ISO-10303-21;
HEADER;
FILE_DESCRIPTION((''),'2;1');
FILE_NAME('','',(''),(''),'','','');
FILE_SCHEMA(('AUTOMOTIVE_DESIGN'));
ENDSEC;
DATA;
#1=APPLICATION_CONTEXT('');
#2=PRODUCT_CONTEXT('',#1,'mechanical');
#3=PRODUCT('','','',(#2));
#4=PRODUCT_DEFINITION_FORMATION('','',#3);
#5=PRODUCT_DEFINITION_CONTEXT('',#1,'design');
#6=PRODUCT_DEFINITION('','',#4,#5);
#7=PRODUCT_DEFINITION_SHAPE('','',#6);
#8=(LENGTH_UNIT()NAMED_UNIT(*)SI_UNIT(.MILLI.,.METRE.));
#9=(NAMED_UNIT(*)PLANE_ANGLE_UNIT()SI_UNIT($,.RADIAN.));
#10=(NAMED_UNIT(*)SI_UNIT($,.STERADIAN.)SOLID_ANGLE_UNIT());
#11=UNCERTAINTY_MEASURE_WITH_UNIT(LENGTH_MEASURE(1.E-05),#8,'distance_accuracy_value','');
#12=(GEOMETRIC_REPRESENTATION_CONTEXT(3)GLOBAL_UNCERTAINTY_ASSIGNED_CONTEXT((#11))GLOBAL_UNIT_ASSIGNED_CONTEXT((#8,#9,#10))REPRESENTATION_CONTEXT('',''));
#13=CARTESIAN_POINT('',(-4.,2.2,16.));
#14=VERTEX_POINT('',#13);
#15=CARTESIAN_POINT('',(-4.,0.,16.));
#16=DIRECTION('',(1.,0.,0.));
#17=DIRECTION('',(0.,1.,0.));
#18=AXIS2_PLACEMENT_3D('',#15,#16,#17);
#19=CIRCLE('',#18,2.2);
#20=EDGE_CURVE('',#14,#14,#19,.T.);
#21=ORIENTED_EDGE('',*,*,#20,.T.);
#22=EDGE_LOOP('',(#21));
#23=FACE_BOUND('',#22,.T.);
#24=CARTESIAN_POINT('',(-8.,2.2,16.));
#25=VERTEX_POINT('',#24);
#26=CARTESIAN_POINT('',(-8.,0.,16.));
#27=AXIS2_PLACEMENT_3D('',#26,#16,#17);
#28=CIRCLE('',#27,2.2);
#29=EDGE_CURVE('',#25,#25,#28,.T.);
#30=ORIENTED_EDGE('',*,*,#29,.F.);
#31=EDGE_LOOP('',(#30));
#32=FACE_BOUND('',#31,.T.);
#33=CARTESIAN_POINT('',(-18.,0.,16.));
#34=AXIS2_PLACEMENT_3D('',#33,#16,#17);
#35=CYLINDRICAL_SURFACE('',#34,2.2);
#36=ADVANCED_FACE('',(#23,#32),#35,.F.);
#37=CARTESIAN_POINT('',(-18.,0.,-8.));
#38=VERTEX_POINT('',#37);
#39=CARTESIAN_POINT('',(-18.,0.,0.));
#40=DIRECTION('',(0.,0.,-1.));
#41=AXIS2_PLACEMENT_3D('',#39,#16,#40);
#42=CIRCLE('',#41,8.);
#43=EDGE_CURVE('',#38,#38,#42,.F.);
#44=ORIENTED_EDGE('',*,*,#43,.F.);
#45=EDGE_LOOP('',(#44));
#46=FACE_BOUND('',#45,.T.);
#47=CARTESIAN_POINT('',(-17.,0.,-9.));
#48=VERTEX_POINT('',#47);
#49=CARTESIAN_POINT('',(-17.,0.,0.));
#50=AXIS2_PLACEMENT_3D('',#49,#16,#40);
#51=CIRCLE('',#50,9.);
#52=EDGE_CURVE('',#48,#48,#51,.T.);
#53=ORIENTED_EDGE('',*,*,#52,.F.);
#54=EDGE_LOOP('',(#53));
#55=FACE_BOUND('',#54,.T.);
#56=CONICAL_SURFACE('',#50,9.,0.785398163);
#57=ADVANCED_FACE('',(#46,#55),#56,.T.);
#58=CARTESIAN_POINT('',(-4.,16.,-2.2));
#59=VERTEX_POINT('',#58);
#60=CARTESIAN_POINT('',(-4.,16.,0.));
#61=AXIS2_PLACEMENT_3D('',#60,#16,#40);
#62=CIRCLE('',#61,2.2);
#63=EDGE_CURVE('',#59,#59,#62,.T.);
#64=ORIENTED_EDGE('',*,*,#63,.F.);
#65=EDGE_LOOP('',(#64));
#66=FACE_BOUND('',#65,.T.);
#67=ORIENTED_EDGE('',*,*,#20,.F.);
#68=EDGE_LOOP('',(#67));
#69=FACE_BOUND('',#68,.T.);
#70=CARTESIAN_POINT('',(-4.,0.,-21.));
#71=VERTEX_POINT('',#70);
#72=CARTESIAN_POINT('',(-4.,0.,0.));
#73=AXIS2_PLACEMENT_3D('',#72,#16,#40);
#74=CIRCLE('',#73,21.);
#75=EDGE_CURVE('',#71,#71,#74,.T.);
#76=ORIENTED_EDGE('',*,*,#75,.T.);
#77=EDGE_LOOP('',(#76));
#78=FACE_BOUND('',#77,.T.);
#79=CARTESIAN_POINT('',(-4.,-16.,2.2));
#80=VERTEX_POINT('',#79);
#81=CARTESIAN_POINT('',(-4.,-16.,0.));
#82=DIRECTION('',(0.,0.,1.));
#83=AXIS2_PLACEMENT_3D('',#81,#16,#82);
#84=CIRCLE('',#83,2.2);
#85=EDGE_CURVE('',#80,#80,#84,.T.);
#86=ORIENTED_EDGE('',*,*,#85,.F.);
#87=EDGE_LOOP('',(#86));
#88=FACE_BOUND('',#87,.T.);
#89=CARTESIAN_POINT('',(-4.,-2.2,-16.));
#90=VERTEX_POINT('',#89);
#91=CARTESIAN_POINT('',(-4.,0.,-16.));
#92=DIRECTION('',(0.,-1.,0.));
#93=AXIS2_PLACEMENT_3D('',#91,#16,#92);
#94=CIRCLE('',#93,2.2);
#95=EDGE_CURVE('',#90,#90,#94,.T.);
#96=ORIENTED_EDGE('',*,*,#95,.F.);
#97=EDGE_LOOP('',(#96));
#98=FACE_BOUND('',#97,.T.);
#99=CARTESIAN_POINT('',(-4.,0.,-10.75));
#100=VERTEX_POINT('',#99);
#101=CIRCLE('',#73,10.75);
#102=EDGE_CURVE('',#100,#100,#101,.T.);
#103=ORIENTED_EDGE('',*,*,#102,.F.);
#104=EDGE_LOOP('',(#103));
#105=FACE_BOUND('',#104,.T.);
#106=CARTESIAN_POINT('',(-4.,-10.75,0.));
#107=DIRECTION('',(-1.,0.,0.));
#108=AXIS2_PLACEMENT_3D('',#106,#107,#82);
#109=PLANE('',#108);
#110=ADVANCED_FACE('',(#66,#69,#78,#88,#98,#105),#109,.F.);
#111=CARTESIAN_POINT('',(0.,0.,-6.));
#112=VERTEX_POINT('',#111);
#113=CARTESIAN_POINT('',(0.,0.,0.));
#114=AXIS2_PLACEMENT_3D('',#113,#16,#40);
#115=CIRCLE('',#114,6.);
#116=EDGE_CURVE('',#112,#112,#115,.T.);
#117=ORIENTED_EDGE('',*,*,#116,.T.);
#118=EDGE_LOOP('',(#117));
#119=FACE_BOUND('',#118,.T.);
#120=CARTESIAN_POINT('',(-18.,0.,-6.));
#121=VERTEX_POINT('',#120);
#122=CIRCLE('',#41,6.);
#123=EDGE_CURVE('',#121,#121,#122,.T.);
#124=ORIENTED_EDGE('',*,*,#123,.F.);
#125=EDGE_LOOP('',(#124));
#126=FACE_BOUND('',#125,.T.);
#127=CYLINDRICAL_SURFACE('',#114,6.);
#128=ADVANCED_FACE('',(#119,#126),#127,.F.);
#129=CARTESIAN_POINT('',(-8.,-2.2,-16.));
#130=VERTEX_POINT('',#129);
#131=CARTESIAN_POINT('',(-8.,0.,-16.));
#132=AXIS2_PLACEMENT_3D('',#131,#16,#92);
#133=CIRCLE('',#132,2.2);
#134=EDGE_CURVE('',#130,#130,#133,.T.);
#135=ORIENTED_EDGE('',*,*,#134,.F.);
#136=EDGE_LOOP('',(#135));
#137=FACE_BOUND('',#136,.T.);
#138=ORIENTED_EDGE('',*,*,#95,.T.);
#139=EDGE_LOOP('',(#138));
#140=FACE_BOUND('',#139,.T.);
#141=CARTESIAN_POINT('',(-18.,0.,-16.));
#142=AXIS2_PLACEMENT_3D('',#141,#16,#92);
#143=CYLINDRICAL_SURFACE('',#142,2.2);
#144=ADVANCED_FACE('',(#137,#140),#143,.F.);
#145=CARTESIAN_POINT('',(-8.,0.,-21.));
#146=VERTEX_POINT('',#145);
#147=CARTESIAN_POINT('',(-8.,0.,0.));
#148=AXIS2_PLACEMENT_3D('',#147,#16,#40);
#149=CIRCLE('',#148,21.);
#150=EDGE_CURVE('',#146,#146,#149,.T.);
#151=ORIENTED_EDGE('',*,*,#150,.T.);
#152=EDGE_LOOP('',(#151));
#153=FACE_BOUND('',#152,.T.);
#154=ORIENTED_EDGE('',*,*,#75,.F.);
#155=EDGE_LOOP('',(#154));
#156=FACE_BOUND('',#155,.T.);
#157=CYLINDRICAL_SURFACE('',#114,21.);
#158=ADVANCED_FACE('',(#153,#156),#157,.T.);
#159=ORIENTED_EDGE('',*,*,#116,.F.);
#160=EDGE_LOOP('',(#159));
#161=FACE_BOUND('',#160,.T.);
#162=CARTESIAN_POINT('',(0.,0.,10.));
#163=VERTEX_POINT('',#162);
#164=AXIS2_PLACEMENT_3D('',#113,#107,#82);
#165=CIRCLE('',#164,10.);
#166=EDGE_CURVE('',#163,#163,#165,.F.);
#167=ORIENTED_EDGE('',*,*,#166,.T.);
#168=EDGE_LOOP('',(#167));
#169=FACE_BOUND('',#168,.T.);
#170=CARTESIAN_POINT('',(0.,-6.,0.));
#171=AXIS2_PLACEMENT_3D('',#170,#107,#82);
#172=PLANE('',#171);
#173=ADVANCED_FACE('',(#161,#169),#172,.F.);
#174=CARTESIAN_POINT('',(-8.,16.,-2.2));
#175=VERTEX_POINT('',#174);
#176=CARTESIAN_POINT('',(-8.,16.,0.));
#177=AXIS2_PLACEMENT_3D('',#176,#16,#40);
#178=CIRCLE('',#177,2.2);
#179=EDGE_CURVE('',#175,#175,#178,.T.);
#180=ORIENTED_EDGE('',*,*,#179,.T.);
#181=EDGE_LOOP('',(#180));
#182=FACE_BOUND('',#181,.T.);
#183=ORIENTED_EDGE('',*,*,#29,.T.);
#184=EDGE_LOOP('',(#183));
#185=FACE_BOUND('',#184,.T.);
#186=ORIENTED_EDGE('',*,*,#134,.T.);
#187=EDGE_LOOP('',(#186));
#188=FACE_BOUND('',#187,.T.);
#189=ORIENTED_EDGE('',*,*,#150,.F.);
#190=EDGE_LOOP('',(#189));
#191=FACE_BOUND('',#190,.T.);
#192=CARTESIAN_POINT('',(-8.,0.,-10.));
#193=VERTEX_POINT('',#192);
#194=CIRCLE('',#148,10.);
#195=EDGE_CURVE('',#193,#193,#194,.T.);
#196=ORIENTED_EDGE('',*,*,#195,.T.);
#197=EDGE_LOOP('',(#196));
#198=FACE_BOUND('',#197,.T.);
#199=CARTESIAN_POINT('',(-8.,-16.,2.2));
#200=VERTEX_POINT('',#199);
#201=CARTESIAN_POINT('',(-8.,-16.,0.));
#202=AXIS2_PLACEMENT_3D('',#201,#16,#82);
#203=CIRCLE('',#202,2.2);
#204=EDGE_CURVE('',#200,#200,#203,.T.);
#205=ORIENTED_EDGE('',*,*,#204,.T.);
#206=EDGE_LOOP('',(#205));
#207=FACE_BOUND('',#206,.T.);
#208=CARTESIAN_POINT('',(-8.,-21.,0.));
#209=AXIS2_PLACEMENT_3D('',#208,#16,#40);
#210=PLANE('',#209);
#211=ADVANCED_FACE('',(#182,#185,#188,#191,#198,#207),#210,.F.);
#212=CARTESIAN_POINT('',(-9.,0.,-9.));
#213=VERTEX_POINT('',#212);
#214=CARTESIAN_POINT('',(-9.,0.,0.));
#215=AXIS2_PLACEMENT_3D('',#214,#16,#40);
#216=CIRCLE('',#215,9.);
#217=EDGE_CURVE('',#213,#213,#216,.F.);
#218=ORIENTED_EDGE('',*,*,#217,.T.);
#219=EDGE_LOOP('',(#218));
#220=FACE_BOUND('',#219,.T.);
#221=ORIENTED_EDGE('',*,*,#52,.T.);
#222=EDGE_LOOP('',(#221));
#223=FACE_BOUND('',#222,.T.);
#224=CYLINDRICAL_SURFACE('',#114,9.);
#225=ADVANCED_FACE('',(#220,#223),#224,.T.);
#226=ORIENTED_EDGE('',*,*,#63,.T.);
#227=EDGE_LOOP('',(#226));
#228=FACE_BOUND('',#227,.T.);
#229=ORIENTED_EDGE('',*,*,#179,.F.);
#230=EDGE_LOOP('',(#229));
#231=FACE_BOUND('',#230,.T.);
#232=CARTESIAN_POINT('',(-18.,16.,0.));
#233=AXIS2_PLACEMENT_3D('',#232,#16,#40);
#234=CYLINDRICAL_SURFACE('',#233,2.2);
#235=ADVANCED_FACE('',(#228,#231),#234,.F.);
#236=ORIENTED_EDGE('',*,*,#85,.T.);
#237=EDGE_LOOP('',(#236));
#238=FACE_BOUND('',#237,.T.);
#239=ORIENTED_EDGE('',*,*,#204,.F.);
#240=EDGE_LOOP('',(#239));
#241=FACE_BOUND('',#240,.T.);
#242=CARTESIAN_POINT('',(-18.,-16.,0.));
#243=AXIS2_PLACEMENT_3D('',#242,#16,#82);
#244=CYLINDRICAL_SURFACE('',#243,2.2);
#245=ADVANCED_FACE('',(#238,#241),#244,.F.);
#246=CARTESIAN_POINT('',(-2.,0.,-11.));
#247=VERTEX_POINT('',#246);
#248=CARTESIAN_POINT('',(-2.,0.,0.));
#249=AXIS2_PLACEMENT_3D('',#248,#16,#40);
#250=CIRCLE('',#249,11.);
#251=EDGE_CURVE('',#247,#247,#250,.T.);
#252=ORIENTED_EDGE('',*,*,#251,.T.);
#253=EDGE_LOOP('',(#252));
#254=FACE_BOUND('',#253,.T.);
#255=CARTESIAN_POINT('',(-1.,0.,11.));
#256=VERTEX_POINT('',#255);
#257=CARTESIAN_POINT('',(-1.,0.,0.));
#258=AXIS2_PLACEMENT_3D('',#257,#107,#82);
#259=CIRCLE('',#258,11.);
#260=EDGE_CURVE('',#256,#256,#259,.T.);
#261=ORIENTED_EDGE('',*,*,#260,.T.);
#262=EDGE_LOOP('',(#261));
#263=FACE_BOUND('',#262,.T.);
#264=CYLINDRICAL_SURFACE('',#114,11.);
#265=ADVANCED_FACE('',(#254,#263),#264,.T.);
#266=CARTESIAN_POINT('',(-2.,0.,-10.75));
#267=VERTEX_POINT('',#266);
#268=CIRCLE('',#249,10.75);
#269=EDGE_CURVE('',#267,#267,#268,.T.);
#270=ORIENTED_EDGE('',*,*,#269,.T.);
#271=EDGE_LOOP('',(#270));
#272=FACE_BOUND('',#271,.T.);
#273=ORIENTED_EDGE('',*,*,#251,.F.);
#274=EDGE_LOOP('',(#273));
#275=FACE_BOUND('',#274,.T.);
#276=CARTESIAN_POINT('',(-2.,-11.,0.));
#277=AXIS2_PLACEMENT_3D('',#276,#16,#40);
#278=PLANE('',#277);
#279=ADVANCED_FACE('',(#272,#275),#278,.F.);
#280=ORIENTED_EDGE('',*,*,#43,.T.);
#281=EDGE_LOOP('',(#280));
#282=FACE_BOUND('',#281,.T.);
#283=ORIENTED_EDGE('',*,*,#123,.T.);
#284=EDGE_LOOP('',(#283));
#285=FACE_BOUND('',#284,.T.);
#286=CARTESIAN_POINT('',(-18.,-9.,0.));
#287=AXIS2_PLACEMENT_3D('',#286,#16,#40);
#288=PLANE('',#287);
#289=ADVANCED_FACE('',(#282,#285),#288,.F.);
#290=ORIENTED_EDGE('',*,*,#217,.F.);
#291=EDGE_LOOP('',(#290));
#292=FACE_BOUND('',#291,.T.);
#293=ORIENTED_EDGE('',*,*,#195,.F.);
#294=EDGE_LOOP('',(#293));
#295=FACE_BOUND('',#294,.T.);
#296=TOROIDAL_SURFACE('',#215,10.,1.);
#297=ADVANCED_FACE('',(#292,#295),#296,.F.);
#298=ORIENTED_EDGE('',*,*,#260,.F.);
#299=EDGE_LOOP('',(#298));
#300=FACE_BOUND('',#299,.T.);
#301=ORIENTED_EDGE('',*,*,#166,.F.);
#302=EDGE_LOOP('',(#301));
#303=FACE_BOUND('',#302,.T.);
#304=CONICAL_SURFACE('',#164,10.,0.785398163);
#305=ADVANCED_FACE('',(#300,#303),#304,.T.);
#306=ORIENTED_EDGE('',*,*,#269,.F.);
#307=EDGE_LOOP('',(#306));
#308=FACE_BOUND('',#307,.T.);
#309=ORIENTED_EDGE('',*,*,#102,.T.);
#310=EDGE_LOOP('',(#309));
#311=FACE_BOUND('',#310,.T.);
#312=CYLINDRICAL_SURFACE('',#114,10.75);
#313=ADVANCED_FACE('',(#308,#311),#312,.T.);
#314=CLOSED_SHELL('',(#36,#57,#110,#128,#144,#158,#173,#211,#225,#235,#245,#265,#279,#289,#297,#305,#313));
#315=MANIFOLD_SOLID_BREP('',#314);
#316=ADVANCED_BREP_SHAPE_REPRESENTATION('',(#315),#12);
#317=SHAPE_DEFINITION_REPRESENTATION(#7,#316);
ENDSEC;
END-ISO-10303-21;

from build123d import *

# Parameters (mm, degrees)
SKETCH_2_R               = 2.2
CUT_EXTRUDE_1_DEPTH      = 33.832910319
PATTERN_CIRCULAR_1_COUNT = 4
FILLET_1_R               = 1
CHAMFER_1_SIZE           = 1


with BuildPart() as part:
    # Эскиз1 → Повернуть1 (revolve)
    with BuildSketch(Plane.XY, mode=Mode.PRIVATE) as revolve_1_sk:
        Polygon((0, -6), (0, -11), (-2, -11), (-2, -10.75), (-4, -10.75), (-4, -21), (-8, -21), (-8, -9), (-18, -9), (-18, -6), align=None)
    revolve(revolve_1_sk.sketch.rotate(Axis((0, 0, 0), (-1, 0, 0)), 270), axis=Axis((0, 0, 0), (-1, 0, 0)))

    # Эскиз2 → Вырез-Вытянуть1 (cut, through all)
    with BuildSketch(Plane(origin=(-4, 0, 0), x_dir=(0, 0, -1), z_dir=(1, 0, 0))):
        with Locations((0, 16)):
            Circle(SKETCH_2_R)
    cut_extrude_1 = extrude(amount=-CUT_EXTRUDE_1_DEPTH, mode=Mode.SUBTRACT)

    # Круговой массив1: Вырез-Вытянуть1 ×4 about axis
    pattern_circular_1_axis = Axis((0, 0, 0), (1, 0, 0))
    for i in range(1, PATTERN_CIRCULAR_1_COUNT):
        add(cut_extrude_1.rotate(pattern_circular_1_axis, i * 360 / PATTERN_CIRCULAR_1_COUNT), mode=Mode.SUBTRACT)

    # Скругление1
    fillet_1_edges = [part.edges().sort_by_distance(p)[0] for p in [
        (-8, 0, 9),
    ]]
    fillet(fillet_1_edges, radius=FILLET_1_R)

    # Фаска1
    chamfer_1_edges = [part.edges().sort_by_distance(p)[0] for p in [
        (0, 0, 11),
        (-18, 0, 9),
    ]]
    chamfer(chamfer_1_edges, length=CHAMFER_1_SIZE)


solid = part.part
